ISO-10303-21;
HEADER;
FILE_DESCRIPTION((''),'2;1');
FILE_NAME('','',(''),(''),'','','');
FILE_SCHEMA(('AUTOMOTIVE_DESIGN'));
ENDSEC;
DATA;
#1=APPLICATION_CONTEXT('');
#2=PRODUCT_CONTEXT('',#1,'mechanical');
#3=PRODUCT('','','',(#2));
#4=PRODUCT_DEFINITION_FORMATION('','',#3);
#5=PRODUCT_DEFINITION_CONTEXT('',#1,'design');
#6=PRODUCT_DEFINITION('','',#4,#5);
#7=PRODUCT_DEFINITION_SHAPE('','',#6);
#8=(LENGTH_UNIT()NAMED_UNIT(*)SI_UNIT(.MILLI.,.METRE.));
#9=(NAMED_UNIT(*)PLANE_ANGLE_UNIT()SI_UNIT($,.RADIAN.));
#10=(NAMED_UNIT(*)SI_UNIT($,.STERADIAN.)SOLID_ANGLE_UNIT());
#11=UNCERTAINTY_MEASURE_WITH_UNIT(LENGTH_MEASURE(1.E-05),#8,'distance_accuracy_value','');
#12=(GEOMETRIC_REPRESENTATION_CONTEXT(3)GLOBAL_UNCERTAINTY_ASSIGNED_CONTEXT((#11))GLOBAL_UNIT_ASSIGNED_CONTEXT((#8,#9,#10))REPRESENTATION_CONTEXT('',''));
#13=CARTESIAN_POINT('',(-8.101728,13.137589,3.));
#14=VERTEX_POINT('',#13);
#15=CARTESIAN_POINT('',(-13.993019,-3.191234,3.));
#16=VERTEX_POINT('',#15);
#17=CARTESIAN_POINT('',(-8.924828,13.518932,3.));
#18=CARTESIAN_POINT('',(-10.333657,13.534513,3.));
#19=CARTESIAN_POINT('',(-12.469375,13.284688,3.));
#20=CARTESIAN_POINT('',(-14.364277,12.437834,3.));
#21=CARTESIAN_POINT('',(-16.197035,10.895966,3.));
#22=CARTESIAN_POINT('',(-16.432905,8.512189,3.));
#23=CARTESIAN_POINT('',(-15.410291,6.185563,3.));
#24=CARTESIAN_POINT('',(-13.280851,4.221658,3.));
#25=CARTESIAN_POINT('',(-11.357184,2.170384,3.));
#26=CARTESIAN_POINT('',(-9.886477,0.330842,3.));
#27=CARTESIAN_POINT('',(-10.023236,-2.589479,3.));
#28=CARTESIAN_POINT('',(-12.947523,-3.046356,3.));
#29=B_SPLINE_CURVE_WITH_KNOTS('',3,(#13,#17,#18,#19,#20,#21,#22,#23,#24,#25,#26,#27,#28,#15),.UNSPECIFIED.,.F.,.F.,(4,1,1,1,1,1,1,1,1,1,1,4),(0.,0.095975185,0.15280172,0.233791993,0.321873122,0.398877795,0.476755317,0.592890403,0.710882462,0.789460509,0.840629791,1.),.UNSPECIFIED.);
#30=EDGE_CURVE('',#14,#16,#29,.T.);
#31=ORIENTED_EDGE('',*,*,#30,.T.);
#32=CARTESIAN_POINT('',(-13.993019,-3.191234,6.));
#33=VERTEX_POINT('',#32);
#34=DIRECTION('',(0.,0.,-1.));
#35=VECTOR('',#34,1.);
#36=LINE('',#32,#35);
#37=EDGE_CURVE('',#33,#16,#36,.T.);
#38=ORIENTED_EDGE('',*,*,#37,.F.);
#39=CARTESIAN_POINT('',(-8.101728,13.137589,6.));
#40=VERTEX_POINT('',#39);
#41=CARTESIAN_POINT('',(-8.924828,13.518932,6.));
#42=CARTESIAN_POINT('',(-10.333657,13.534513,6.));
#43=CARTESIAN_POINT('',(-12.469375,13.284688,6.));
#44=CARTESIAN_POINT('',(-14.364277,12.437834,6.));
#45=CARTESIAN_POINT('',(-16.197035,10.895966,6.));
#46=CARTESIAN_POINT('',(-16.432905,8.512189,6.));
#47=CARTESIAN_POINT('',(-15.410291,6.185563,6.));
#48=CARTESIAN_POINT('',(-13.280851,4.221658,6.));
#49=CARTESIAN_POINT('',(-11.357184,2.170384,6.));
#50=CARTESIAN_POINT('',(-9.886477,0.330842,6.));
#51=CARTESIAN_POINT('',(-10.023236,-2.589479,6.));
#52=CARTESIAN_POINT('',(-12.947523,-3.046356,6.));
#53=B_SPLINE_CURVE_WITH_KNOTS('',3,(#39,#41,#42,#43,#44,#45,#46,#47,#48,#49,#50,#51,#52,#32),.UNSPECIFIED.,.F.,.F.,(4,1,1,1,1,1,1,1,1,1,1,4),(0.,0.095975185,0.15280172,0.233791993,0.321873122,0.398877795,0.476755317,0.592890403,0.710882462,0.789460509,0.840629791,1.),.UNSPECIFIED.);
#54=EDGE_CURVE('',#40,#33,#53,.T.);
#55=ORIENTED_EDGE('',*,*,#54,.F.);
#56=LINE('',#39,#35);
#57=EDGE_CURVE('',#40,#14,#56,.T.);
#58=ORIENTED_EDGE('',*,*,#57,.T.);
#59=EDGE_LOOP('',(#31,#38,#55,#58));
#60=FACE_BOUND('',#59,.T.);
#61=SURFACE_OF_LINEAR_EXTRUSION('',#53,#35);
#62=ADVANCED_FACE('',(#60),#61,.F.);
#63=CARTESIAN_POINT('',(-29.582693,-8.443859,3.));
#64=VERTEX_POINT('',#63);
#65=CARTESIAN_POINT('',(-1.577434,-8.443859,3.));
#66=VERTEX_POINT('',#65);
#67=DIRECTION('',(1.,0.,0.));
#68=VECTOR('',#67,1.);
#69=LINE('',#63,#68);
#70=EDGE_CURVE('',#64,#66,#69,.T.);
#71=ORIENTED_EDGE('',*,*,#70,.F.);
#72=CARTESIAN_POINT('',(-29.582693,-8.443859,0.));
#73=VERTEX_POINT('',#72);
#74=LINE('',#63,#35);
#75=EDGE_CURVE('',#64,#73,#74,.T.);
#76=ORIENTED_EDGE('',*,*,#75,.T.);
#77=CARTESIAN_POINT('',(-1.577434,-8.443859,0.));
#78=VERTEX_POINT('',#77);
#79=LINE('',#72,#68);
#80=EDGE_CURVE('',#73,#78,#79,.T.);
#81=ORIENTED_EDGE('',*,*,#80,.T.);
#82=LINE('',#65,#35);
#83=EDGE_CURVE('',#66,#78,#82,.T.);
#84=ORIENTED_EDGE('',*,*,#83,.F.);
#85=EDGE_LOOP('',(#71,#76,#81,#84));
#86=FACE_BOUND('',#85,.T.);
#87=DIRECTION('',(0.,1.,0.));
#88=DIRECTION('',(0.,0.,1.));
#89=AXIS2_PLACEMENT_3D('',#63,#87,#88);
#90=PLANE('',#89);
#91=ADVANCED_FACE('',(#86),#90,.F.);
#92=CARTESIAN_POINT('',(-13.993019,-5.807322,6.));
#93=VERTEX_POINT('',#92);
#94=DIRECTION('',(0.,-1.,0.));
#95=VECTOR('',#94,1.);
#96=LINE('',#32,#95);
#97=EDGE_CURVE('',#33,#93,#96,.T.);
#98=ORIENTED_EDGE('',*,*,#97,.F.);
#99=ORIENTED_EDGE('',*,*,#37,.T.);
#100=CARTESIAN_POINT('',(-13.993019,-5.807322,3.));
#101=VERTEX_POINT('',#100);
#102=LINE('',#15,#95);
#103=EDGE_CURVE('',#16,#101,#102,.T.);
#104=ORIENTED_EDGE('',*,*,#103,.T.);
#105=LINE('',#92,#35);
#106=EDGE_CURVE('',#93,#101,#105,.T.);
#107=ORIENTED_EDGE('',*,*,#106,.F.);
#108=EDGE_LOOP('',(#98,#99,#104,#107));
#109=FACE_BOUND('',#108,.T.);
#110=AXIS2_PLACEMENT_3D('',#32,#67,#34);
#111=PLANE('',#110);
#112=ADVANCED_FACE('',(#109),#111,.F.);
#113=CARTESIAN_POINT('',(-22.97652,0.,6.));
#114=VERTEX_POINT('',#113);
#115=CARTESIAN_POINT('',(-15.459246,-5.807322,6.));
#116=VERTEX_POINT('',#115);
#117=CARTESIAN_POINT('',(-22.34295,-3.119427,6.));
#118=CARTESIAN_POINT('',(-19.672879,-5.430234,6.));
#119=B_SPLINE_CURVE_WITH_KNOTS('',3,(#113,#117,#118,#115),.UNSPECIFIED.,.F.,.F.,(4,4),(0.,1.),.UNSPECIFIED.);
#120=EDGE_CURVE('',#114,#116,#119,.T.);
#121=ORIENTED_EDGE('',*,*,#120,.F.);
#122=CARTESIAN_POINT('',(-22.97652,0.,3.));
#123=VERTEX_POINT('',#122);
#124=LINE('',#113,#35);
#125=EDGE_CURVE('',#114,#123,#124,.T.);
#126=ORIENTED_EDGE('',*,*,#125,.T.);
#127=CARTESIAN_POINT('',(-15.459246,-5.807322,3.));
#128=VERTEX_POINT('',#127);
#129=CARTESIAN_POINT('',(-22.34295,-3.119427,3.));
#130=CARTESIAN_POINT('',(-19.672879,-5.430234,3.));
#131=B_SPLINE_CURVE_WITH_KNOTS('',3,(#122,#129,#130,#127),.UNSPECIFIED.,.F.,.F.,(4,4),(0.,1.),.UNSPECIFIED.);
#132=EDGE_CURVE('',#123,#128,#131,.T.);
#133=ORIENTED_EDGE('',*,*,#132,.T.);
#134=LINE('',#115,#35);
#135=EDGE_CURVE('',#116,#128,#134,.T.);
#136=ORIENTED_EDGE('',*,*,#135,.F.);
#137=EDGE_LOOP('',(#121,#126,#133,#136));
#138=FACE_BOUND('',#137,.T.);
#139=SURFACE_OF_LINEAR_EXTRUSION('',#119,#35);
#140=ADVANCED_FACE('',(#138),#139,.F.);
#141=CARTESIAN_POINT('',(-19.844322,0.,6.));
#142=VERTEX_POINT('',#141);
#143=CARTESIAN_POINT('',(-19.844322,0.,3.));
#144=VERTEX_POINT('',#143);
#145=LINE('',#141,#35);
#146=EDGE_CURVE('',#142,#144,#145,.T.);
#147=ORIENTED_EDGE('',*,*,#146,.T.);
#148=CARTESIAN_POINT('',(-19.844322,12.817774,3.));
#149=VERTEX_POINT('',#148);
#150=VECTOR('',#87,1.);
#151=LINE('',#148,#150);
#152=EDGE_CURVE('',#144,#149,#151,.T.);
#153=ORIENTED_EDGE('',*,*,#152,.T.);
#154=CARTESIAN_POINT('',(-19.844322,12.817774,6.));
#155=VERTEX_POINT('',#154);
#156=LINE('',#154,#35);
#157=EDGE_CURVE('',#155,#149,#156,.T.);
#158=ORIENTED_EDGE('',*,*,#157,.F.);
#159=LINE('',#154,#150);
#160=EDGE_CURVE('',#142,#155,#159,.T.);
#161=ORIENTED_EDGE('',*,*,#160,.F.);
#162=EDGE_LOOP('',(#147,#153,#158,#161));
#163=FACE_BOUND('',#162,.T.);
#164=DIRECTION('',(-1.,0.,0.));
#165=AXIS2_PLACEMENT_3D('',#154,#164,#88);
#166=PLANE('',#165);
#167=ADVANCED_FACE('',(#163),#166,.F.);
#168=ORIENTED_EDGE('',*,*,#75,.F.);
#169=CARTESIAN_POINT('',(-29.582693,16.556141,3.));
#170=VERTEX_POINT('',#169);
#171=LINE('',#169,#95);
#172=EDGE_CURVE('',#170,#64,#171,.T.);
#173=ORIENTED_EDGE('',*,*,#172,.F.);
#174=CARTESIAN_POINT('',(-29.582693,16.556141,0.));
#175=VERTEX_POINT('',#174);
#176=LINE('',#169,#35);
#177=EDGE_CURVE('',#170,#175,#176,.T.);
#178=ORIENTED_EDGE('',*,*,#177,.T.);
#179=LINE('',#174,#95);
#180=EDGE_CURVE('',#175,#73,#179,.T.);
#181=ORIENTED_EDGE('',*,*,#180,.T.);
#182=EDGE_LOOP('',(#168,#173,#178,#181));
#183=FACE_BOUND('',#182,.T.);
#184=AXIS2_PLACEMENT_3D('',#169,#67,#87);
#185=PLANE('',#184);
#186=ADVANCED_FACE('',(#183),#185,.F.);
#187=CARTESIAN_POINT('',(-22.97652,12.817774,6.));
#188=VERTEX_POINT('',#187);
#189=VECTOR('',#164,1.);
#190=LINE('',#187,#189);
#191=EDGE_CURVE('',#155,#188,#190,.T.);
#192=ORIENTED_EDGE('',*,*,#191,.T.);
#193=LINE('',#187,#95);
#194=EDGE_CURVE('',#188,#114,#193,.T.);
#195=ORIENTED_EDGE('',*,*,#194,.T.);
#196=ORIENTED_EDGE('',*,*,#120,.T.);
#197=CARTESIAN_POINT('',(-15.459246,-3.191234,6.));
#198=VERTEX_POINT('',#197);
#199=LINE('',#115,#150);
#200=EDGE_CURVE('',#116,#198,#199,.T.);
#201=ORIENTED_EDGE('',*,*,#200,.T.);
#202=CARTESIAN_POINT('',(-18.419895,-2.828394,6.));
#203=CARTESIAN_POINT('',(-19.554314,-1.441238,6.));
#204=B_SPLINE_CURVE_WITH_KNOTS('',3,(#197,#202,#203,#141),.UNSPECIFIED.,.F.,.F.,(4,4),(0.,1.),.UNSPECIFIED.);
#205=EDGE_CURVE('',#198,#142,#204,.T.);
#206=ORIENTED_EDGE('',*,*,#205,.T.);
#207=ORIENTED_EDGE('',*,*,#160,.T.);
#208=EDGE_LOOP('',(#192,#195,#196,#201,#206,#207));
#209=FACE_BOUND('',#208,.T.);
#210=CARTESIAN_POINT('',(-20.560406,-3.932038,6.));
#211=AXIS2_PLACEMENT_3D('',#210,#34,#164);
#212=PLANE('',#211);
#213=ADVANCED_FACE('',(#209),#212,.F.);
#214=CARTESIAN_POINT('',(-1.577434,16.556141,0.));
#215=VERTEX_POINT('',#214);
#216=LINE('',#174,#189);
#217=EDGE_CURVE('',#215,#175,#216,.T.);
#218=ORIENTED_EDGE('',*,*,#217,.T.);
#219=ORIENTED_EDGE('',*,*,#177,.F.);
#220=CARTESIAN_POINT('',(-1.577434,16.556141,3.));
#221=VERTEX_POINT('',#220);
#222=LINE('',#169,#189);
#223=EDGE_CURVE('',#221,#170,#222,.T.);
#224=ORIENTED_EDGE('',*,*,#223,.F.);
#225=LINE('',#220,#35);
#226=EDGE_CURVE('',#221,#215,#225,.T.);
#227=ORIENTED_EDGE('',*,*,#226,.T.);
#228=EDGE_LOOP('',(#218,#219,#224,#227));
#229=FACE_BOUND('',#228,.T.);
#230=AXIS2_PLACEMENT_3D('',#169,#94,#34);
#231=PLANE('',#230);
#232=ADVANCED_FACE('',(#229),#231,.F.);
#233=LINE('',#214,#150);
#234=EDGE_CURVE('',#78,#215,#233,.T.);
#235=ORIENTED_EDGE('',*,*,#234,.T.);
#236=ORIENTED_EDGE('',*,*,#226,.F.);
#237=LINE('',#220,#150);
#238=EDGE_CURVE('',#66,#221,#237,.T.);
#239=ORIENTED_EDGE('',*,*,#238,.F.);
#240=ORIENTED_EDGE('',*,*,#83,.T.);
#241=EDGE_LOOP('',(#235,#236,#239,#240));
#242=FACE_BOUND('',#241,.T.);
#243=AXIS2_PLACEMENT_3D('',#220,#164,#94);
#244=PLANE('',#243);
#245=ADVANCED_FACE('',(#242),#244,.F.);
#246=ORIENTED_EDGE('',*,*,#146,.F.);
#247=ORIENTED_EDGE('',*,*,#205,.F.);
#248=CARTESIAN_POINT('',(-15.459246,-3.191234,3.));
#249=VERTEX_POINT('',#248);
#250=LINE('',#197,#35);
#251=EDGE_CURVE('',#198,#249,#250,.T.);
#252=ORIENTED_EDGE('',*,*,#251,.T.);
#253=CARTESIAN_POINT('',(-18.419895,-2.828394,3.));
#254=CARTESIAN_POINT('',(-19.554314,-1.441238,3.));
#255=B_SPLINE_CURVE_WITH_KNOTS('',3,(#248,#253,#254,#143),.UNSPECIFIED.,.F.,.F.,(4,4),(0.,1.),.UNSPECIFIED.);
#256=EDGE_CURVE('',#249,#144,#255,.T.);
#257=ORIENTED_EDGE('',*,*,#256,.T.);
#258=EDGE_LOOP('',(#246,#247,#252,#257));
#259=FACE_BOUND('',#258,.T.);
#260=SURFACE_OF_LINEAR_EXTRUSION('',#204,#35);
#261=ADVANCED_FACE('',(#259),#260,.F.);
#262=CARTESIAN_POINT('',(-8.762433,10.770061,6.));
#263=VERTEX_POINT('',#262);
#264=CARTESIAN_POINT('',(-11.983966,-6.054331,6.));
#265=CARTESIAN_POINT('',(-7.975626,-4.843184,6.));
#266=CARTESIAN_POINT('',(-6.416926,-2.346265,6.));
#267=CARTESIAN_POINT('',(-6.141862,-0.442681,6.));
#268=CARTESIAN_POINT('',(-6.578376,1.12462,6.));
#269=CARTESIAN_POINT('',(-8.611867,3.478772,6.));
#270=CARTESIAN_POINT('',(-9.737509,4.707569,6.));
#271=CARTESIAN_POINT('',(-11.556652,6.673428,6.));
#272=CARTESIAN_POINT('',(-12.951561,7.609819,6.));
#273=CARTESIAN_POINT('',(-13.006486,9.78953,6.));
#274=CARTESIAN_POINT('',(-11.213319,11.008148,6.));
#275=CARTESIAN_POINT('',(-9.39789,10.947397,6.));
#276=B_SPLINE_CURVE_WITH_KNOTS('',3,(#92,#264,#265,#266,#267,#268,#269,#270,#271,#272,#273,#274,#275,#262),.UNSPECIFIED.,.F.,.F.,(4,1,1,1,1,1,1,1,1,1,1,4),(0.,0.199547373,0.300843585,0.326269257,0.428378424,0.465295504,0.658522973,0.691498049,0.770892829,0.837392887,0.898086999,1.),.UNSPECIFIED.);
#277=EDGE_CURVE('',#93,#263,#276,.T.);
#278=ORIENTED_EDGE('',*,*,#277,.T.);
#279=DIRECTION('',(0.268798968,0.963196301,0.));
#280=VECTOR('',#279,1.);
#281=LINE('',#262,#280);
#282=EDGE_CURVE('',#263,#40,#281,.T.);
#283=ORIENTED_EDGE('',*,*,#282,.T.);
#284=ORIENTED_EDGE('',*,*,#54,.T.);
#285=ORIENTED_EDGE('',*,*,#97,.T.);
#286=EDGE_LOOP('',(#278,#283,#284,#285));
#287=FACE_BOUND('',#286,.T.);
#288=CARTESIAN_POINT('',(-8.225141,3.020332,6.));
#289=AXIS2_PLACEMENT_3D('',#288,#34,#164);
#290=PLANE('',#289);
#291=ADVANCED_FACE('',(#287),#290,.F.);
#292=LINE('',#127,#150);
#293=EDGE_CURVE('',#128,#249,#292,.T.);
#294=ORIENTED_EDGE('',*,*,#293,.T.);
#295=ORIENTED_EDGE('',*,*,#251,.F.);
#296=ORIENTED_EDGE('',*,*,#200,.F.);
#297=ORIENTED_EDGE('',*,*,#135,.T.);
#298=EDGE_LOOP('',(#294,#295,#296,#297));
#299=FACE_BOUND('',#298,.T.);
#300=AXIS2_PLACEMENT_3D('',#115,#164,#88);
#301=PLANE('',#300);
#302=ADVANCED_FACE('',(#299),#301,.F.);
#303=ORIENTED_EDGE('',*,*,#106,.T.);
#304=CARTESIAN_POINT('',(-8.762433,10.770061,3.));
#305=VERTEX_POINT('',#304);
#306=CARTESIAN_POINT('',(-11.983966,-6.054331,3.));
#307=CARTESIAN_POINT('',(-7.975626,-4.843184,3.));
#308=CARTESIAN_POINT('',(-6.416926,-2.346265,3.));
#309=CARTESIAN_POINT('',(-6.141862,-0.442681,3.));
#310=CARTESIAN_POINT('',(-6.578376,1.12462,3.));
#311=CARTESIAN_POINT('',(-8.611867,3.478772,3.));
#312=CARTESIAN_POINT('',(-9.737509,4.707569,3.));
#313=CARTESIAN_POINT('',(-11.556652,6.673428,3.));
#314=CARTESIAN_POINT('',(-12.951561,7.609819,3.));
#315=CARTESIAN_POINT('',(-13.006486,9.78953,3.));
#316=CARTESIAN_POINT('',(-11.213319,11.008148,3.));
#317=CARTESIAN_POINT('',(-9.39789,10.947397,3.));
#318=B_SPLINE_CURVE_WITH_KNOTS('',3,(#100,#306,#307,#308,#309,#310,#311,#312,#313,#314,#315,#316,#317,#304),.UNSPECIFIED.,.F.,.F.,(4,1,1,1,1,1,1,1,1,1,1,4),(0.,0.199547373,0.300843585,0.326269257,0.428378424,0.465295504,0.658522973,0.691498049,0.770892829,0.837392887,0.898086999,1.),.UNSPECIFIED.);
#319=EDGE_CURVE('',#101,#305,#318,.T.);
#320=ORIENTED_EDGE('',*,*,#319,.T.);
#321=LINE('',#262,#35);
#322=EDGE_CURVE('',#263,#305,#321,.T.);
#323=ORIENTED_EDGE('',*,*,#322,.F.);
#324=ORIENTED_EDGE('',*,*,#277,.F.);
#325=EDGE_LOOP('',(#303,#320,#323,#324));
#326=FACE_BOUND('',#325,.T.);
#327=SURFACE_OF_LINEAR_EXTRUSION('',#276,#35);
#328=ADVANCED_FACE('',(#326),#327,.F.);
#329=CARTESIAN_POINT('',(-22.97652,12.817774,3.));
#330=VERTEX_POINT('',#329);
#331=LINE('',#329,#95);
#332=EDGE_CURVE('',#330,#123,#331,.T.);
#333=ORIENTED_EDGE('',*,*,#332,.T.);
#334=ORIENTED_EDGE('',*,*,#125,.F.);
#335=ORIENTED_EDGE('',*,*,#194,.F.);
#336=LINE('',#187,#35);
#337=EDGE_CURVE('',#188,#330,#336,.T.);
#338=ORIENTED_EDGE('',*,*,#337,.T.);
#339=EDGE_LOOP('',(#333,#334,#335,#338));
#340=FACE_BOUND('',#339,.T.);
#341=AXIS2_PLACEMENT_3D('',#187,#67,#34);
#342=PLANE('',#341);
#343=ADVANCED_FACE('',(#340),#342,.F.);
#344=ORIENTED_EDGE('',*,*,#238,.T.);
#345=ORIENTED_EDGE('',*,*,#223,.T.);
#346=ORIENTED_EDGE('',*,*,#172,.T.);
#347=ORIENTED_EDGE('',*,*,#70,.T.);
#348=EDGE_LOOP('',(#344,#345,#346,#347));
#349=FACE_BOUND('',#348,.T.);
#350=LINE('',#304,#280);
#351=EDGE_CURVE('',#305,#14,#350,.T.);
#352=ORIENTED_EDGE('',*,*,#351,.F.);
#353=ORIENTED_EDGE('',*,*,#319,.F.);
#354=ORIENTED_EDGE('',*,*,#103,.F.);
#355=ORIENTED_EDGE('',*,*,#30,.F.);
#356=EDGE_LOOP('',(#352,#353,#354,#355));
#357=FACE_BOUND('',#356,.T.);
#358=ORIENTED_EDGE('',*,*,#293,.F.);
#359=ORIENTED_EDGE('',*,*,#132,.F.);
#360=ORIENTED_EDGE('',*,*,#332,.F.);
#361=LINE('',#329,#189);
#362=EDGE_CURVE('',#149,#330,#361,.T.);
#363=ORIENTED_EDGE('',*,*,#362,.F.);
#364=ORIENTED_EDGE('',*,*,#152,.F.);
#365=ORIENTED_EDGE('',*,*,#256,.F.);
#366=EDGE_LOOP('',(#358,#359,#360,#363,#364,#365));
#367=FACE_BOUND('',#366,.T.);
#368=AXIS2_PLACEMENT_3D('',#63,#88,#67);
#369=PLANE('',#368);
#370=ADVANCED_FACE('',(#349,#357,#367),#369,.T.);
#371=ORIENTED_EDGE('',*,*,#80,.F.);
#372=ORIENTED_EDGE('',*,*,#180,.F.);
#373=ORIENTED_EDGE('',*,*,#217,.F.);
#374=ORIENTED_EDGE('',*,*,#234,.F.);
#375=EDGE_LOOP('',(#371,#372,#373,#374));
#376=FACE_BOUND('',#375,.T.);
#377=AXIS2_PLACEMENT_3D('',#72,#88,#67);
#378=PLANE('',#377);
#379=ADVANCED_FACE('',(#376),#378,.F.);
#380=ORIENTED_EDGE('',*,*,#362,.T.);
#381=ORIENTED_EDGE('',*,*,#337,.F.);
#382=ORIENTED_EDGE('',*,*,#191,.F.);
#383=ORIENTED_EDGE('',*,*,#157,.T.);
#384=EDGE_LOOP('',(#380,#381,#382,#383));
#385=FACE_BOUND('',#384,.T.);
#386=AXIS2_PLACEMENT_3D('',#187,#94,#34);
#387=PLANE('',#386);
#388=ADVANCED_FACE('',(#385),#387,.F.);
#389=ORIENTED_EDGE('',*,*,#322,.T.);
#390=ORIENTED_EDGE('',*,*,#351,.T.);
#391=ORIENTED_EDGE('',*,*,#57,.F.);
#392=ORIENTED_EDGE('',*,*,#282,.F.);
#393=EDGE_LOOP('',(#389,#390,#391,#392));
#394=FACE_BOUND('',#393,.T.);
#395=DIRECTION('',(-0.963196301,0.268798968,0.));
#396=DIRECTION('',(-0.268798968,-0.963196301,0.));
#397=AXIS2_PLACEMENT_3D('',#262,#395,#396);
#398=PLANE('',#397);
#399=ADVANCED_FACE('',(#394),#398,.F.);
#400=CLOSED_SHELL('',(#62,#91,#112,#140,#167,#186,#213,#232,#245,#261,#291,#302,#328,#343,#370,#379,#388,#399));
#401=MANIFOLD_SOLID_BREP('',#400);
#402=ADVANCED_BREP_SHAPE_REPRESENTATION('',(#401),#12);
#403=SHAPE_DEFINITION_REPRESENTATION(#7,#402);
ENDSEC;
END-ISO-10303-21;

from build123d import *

# Parameters (mm, degrees)
ESBO_O2_W                = 28.005258982
ESBO_O2_H                = 25
RESSALTO_EXTRUS_O2_DEPTH = 3
RESSALTO_EXTRUS_O3_DEPTH = 3


with BuildPart() as part:
    # Esboço2 → Ressalto-extrusão2 (new body)
    with BuildSketch(Plane.XY):
        with Locations((-15.580063099, 4.056140734)):
            Rectangle(ESBO_O2_W, ESBO_O2_H)
    extrude(amount=RESSALTO_EXTRUS_O2_DEPTH)

    # Esboço3 → Ressalto-extrusão3 (add)
    with BuildSketch(Plane.XY.offset(3)):
        with BuildLine():
            Line((-22.976519513, 12.817773551), (-19.844322365, 12.817773551))
            Line((-19.844322365, 12.817773551), (-19.844322365, 0))
            add(Edge.make_bspline(
                [(-19.844322365, 0), (-19.554313615, -1.441237844), (-18.419895336, -2.82839401), (-15.459246358, -3.191234096)],
                knots=[0, 0, 0, 0, 1, 1, 1, 1], degree=3))
            Line((-15.459246358, -3.191234096), (-15.459246358, -5.807322462))
            add(Edge.make_bspline(
                [(-22.976519513, 0), (-22.342950164, -3.119426977), (-19.67287852, -5.430233831), (-15.459246358, -5.807322462)],
                knots=[0, 0, 0, 0, 1, 1, 1, 1], degree=3))
            Line((-22.976519513, 0), (-22.976519513, 12.817773551))
        make_face()
        with BuildLine():
            Line((-8.762433428, 10.770060548), (-8.101727847, 13.137588881))
            add(Edge.make_bspline(
                [(-8.101727847, 13.137588881), (-8.924828337, 13.518932368), (-10.333657048, 13.534512796), (-12.469375349, 13.284688146), (-14.364277192, 12.437834174), (-16.197035001, 10.895965746), (-16.432904829, 8.512188949), (-15.410291344, 6.185562517), (-13.280851196, 4.221657715), (-11.357184283, 2.170384327), (-9.886476679, 0.33084215), (-10.023236057, -2.58947903), (-12.947523124, -3.046355907), (-13.99301928, -3.191234096)],
                knots=[0, 0, 0, 0, 0.095975185, 0.15280172, 0.233791993, 0.321873122, 0.398877795, 0.476755317, 0.592890403, 0.710882462, 0.789460509, 0.840629791, 1, 1, 1, 1], degree=3))
            Line((-13.99301928, -3.191234096), (-13.99301928, -5.807322462))
            add(Edge.make_bspline(
                [(-13.99301928, -5.807322462), (-11.983965985, -6.054331018), (-7.975626402, -4.843183812), (-6.416925621, -2.346264854), (-6.141862445, -0.442680707), (-6.5783755, 1.124619896), (-8.611866991, 3.478772031), (-9.737509425, 4.707569013), (-11.556652455, 6.673428344), (-12.951560908, 7.609819126), (-13.006485815, 9.789530222), (-11.213319319, 11.008148273), (-9.397889759, 10.947397199), (-8.762433428, 10.770060548)],
                knots=[0, 0, 0, 0, 0.199547373, 0.300843585, 0.326269257, 0.428378424, 0.465295504, 0.658522973, 0.691498049, 0.770892829, 0.837392887, 0.898086999, 1, 1, 1, 1], degree=3))
        make_face()
    extrude(amount=RESSALTO_EXTRUS_O3_DEPTH)


solid = part.part
